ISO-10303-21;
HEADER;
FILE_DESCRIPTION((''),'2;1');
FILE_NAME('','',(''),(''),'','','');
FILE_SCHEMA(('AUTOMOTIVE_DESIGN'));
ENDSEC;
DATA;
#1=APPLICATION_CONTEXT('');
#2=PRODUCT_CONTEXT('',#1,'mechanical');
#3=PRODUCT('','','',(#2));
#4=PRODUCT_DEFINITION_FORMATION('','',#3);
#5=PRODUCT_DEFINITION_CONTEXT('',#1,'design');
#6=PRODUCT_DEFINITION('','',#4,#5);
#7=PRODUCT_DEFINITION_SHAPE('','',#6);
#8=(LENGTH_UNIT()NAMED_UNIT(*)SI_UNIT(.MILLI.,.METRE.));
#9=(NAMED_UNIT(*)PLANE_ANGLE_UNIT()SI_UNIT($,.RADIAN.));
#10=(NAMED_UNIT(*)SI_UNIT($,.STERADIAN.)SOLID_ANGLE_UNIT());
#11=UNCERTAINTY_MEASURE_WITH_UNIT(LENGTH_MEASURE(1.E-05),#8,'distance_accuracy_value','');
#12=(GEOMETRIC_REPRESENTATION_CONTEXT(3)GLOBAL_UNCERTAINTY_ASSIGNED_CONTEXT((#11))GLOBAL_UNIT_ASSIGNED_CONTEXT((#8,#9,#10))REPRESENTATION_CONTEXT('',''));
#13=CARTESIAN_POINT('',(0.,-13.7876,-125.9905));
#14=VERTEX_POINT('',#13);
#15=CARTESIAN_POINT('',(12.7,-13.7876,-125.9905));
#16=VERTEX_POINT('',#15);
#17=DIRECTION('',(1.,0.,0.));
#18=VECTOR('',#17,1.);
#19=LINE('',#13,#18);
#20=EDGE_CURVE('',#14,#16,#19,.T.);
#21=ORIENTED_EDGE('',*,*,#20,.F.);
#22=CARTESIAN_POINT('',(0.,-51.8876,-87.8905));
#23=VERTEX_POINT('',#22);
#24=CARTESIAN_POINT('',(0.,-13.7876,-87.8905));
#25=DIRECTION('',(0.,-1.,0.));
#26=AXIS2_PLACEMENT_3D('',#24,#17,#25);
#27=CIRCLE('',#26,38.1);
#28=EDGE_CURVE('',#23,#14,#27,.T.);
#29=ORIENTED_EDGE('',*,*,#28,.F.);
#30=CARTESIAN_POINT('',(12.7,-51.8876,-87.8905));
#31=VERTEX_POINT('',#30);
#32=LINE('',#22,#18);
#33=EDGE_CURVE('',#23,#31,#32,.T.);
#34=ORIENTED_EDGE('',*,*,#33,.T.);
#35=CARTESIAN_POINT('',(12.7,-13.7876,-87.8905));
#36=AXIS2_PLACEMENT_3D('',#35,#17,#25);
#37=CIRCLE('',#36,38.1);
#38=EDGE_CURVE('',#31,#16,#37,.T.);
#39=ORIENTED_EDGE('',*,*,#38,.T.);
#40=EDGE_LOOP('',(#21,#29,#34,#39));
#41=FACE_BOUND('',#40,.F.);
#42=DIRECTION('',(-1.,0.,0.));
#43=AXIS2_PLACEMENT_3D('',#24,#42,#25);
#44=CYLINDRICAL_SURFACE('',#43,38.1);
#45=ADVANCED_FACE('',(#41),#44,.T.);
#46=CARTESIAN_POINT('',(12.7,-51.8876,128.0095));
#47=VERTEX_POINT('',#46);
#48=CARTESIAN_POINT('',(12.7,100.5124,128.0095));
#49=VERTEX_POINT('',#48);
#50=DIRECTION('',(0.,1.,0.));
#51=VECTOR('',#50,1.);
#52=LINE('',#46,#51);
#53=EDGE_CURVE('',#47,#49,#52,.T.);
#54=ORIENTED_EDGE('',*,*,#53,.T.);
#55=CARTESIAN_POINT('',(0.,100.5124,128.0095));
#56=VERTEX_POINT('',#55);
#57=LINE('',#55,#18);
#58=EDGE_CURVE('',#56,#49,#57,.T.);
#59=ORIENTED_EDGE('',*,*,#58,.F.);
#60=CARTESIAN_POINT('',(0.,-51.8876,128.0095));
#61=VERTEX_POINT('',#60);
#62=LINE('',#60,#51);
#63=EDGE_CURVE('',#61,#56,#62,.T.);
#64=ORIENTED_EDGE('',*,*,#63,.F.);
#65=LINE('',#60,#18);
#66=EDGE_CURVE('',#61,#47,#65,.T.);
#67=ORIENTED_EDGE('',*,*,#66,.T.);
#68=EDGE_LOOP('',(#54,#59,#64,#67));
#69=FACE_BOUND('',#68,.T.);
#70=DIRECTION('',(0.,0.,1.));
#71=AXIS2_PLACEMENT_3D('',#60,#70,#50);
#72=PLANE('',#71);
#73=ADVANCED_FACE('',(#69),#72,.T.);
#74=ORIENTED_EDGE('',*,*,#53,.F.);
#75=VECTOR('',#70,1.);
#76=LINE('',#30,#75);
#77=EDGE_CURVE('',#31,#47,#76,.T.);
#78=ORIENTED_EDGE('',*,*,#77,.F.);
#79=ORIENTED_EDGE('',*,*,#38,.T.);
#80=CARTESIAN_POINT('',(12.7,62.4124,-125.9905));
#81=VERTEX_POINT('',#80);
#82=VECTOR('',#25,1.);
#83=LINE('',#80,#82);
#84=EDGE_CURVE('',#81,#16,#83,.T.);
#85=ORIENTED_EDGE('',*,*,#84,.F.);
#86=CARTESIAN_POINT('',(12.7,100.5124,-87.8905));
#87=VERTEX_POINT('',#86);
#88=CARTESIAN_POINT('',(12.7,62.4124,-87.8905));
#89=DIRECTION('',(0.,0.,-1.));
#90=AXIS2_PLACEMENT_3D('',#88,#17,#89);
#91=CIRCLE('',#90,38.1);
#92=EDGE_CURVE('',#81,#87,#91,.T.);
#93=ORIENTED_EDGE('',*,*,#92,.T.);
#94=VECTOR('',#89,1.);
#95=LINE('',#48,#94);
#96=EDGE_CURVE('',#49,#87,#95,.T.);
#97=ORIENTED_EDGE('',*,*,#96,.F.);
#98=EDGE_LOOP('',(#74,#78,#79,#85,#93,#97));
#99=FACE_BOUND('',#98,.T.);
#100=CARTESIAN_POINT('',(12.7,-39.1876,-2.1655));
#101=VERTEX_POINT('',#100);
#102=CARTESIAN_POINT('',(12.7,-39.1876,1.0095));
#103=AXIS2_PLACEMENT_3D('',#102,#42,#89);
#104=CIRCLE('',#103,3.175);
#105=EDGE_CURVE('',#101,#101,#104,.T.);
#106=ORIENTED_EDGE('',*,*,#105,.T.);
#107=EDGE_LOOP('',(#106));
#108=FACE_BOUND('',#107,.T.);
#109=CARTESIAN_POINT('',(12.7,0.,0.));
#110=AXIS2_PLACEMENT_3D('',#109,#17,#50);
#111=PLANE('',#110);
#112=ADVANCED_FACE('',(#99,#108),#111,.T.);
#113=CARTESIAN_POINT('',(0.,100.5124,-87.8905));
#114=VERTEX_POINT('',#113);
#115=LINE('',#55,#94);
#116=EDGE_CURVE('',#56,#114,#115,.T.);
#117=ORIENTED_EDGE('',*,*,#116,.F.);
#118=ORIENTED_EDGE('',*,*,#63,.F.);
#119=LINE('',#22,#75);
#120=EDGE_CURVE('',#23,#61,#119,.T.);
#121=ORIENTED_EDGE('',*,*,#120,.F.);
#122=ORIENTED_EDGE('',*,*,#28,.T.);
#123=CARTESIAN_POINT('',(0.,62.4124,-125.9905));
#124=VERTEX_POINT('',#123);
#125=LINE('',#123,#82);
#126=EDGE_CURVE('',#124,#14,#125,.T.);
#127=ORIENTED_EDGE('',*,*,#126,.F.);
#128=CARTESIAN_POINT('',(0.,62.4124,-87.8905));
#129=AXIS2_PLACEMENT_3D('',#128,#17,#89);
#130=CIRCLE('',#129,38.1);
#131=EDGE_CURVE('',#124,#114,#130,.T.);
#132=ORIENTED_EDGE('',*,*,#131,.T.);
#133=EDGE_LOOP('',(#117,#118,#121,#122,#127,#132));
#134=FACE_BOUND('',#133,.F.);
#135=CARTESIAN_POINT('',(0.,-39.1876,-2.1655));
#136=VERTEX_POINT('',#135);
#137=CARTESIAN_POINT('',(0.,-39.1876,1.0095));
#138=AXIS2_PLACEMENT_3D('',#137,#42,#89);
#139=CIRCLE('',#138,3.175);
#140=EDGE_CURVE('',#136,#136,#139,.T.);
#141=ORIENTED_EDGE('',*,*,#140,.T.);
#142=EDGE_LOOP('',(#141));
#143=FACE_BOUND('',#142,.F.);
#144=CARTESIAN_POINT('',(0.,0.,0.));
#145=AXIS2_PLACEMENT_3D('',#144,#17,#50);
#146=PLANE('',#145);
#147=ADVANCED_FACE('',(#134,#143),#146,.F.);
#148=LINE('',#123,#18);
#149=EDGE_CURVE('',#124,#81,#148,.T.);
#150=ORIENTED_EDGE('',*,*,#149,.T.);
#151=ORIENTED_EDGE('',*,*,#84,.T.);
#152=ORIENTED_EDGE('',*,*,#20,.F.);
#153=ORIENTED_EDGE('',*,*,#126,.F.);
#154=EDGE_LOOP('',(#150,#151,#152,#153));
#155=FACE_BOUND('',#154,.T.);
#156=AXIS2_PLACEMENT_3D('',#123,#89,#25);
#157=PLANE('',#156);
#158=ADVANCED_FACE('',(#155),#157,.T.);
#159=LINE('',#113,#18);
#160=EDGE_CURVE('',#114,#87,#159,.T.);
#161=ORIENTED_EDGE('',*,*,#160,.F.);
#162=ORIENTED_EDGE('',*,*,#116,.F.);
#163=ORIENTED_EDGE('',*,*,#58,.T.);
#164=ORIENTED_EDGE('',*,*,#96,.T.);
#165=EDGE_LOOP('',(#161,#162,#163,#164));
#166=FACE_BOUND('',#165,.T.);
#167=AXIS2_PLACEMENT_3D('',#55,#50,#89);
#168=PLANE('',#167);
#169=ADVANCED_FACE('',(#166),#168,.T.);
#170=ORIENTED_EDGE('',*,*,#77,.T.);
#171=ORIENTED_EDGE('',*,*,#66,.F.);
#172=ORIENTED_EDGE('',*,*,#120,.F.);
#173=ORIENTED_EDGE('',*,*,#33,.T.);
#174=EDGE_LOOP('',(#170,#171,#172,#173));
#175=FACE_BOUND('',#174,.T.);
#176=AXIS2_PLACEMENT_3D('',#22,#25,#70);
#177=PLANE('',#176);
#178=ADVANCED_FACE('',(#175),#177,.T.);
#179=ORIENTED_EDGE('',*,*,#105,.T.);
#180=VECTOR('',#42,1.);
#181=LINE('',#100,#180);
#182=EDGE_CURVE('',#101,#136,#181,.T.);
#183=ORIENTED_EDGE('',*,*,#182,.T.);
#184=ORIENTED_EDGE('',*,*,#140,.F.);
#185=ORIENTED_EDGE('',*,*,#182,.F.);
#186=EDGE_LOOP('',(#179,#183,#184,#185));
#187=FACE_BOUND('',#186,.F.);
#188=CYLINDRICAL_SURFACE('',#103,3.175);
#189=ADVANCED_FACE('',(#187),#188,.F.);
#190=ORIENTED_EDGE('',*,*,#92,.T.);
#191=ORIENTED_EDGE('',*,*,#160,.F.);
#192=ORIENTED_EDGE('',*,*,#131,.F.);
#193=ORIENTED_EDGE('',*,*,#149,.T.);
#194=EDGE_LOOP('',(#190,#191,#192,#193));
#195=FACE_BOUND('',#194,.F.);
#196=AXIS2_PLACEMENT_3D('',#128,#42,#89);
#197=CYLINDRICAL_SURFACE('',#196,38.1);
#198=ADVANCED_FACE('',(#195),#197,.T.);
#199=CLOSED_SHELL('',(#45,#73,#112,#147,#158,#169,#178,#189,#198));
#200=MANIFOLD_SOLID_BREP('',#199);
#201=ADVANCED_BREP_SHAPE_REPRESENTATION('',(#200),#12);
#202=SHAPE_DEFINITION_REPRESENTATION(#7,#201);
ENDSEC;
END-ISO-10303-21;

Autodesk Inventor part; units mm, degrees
ref_plane "YZ Plane" through (0, 0, 0) normal (1, 0, 0) x (0, 1, 0)
ref_plane "XZ Plane" through (0, 0, 0) normal (0, 1, 0) x (-1, 0, 0)
ref_plane "XY Plane" through (0, 0, 0) normal (0, 0, 1) x (1, 0, 0)
sketch "Sketch1" plane through (0, 0, 0) normal (1, 0, 0) x (0, 1, 0)
  line L0 (100.5124, 128.0095) -> (100.5124, -87.8905)
  line L1 (62.4124, -125.9905) -> (-13.7876, -125.9905)
  line L2 (-51.8876, -87.8905) -> (-51.8876, 128.0095)
  line L3 (-51.8876, 128.0095) -> (100.5124, 128.0095)
  arc A0 (62.4124, -125.9905) -> (100.5124, -87.8905) centre (62.4124, -87.8905) ccw
  arc A1 (-51.8876, -87.8905) -> (-13.7876, -125.9905) centre (-13.7876, -87.8905) ccw
  point P0 (0, 0)
  point P1 (100.5124, -125.9905)
  dimension "d0" = 254
  dimension "d1" = 152.4
  dimension "d3" = 38.1
extrude "Extrusion1" add sketch "Sketch1" along normal blind 12.7
sketch "Sketch3" plane through (12.7, 0, 0) normal (1, 0, 0) x (0, 0, -1)
  line L0 (125.9905, -13.7876) -> (125.9905, 62.4124) projected
  line L1 (-128.0095, 100.5124) -> (-128.0095, -51.8876) projected
  line L2 (-128.0095, -51.8876) -> (87.8905, -51.8876) projected
  point P0 (0, 0)
  point P1 (-1.0095, -39.1876)
  dimension "d16" = 254
  dimension "d17" = 127
  dimension "d18" = 12.7
hole "Hole2" at (12.7, -39.1876, 1.0095) direction (-1, 0, 0) diameter 6.35 end through all
